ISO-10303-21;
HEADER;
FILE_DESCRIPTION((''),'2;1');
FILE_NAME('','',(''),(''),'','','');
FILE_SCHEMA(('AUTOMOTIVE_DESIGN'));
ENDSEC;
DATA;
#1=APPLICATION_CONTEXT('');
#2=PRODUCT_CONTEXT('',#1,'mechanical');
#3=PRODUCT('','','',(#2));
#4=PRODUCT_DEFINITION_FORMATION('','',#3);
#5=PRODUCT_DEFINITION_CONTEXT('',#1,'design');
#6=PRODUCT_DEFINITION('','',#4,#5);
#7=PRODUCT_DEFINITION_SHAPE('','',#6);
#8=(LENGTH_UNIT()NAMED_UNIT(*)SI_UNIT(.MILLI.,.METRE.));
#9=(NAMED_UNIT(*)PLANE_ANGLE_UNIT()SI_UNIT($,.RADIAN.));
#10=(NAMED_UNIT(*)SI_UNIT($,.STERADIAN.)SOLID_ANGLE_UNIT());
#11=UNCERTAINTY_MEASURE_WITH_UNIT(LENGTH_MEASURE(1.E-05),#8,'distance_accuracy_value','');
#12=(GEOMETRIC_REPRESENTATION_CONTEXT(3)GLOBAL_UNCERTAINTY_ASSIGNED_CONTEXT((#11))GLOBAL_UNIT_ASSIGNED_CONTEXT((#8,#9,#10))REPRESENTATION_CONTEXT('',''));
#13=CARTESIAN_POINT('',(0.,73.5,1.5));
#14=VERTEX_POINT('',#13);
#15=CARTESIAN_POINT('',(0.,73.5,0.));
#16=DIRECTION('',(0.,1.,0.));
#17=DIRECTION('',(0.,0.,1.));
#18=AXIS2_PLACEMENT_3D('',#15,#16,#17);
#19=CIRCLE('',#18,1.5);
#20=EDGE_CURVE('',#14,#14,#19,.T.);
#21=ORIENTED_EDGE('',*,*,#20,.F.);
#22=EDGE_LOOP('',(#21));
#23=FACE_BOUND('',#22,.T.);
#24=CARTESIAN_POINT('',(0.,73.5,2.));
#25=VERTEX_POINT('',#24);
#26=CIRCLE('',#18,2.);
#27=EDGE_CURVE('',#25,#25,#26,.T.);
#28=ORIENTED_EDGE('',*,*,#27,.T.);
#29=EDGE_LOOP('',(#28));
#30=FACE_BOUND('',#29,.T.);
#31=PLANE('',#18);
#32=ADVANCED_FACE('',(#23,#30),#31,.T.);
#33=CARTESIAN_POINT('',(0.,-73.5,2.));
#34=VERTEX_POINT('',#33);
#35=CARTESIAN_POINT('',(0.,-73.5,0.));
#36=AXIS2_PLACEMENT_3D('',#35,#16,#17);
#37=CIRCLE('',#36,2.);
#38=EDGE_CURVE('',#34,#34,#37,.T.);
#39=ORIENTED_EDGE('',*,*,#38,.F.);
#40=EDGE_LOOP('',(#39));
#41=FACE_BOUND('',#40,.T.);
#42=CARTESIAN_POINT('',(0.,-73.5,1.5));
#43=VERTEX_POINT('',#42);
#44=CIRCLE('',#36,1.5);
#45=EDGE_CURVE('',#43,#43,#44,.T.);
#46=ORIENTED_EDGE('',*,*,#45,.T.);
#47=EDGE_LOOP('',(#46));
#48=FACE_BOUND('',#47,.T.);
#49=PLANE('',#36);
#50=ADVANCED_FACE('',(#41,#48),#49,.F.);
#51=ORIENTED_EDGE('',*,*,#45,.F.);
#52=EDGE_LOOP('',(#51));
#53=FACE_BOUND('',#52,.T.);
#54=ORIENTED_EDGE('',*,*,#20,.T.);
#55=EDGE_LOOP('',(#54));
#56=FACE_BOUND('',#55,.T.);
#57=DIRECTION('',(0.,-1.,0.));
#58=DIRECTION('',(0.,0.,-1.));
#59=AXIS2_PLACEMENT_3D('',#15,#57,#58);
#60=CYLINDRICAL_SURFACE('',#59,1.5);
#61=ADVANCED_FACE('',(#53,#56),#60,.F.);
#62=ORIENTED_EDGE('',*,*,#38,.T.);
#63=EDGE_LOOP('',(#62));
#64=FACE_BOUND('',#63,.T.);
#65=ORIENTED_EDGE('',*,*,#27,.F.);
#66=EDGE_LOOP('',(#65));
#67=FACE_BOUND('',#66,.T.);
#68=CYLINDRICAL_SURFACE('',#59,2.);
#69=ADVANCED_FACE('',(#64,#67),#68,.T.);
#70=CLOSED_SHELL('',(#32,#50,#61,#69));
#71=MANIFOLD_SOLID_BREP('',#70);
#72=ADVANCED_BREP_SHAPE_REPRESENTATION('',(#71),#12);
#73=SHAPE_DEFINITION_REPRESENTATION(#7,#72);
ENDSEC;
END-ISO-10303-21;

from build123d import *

# Parameters (mm, degrees)
SKETCH1_R           = 2
SKETCH1_R_2         = 1.5
BOSS_EXTRUDE1_DEPTH = 73.5


with BuildPart() as part:
    # Sketch1 → Boss-Extrude1 (new body, symmetric)
    with BuildSketch(Plane(origin=(0, 0, 0), x_dir=(1, 0, 0), z_dir=(0, 1, 0))):
        Circle(SKETCH1_R)
        Circle(SKETCH1_R_2, mode=Mode.SUBTRACT)
    extrude(amount=BOSS_EXTRUDE1_DEPTH, both=True)


solid = part.part
